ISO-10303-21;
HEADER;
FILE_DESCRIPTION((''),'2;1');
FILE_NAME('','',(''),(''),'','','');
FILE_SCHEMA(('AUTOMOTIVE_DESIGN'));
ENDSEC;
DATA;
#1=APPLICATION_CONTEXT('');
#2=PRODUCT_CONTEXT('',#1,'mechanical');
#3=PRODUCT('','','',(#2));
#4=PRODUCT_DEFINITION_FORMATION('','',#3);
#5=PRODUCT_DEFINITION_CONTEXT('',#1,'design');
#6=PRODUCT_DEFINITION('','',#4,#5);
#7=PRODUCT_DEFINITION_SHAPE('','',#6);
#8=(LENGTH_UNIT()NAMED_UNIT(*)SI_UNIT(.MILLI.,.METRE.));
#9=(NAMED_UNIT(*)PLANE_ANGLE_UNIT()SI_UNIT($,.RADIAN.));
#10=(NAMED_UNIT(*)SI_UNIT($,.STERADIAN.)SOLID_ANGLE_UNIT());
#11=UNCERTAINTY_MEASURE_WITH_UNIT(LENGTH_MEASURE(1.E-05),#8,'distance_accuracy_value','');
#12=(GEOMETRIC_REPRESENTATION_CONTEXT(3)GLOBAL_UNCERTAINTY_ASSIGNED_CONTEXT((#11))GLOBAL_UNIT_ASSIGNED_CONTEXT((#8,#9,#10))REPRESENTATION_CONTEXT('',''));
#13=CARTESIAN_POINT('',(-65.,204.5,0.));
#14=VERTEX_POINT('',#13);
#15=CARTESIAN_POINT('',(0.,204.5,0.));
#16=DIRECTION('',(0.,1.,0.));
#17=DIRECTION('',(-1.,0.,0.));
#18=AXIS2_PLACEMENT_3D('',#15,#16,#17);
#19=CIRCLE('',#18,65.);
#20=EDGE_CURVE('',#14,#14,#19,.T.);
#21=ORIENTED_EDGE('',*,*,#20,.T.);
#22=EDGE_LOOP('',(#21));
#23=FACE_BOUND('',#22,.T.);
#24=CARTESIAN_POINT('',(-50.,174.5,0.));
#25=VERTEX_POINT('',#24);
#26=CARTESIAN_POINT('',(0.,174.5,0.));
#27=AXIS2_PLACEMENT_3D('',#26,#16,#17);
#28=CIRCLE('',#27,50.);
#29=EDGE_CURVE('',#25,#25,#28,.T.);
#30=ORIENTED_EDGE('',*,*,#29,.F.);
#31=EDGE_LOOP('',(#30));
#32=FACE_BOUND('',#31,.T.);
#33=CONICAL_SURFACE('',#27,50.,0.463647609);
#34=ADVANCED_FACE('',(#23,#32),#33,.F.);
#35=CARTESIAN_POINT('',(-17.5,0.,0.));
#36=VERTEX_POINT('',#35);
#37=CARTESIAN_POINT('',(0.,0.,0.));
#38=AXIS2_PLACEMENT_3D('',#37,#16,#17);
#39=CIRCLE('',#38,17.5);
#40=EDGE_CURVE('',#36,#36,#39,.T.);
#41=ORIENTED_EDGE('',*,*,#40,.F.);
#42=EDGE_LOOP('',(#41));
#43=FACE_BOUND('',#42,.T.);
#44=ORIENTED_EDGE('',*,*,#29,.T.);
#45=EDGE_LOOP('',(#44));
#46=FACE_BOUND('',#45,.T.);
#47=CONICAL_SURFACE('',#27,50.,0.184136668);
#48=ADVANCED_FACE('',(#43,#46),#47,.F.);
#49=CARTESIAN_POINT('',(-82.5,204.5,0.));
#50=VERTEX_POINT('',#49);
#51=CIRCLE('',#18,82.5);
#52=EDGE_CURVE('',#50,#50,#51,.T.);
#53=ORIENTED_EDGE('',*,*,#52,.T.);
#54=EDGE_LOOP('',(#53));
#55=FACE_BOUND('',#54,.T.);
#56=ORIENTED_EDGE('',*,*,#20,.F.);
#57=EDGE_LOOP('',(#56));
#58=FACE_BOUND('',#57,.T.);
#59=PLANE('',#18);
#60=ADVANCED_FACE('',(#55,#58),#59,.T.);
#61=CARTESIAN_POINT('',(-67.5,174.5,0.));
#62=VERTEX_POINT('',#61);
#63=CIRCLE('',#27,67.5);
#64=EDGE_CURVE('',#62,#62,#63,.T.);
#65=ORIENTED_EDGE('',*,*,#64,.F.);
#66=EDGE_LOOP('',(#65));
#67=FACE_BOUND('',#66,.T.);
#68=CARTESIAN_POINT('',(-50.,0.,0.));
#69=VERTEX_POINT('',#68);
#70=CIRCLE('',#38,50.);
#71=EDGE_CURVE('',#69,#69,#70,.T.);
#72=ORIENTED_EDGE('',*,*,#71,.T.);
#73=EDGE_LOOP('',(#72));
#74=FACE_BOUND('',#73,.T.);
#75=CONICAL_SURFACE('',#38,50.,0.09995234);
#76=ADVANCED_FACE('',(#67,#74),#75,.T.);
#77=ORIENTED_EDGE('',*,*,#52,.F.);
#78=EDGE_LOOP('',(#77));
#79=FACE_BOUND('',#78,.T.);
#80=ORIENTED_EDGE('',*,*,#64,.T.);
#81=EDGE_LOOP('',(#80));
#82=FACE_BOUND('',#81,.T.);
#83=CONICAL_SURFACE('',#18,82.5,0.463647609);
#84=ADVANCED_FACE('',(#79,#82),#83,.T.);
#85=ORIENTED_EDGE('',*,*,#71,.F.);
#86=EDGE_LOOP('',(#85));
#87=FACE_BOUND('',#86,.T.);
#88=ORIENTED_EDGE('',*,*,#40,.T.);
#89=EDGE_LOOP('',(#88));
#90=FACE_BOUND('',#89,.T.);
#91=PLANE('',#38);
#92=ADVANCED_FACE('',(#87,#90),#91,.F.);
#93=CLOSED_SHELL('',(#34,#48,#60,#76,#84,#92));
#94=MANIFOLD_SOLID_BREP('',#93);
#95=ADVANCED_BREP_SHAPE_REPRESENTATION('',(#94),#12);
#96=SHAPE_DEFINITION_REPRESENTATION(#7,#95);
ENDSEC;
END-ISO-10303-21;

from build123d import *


with BuildPart() as part:
    # 草图1 → 旋转1 (revolve)
    with BuildSketch(Plane.XY, mode=Mode.PRIVATE) as revolve_1_sk:
        Polygon((50, 0), (67.5, 174.5), (50, 174.5), (17.5, 0), align=None)
        Polygon((82.5, 204.5), (67.5, 174.5), (50, 174.5), (65, 204.5), align=None)
    revolve(revolve_1_sk.sketch.rotate(Axis((0, 174.5, 0), (0, -1, 0)), 180), axis=Axis((0, 174.5, 0), (0, -1, 0)))


solid = part.part
